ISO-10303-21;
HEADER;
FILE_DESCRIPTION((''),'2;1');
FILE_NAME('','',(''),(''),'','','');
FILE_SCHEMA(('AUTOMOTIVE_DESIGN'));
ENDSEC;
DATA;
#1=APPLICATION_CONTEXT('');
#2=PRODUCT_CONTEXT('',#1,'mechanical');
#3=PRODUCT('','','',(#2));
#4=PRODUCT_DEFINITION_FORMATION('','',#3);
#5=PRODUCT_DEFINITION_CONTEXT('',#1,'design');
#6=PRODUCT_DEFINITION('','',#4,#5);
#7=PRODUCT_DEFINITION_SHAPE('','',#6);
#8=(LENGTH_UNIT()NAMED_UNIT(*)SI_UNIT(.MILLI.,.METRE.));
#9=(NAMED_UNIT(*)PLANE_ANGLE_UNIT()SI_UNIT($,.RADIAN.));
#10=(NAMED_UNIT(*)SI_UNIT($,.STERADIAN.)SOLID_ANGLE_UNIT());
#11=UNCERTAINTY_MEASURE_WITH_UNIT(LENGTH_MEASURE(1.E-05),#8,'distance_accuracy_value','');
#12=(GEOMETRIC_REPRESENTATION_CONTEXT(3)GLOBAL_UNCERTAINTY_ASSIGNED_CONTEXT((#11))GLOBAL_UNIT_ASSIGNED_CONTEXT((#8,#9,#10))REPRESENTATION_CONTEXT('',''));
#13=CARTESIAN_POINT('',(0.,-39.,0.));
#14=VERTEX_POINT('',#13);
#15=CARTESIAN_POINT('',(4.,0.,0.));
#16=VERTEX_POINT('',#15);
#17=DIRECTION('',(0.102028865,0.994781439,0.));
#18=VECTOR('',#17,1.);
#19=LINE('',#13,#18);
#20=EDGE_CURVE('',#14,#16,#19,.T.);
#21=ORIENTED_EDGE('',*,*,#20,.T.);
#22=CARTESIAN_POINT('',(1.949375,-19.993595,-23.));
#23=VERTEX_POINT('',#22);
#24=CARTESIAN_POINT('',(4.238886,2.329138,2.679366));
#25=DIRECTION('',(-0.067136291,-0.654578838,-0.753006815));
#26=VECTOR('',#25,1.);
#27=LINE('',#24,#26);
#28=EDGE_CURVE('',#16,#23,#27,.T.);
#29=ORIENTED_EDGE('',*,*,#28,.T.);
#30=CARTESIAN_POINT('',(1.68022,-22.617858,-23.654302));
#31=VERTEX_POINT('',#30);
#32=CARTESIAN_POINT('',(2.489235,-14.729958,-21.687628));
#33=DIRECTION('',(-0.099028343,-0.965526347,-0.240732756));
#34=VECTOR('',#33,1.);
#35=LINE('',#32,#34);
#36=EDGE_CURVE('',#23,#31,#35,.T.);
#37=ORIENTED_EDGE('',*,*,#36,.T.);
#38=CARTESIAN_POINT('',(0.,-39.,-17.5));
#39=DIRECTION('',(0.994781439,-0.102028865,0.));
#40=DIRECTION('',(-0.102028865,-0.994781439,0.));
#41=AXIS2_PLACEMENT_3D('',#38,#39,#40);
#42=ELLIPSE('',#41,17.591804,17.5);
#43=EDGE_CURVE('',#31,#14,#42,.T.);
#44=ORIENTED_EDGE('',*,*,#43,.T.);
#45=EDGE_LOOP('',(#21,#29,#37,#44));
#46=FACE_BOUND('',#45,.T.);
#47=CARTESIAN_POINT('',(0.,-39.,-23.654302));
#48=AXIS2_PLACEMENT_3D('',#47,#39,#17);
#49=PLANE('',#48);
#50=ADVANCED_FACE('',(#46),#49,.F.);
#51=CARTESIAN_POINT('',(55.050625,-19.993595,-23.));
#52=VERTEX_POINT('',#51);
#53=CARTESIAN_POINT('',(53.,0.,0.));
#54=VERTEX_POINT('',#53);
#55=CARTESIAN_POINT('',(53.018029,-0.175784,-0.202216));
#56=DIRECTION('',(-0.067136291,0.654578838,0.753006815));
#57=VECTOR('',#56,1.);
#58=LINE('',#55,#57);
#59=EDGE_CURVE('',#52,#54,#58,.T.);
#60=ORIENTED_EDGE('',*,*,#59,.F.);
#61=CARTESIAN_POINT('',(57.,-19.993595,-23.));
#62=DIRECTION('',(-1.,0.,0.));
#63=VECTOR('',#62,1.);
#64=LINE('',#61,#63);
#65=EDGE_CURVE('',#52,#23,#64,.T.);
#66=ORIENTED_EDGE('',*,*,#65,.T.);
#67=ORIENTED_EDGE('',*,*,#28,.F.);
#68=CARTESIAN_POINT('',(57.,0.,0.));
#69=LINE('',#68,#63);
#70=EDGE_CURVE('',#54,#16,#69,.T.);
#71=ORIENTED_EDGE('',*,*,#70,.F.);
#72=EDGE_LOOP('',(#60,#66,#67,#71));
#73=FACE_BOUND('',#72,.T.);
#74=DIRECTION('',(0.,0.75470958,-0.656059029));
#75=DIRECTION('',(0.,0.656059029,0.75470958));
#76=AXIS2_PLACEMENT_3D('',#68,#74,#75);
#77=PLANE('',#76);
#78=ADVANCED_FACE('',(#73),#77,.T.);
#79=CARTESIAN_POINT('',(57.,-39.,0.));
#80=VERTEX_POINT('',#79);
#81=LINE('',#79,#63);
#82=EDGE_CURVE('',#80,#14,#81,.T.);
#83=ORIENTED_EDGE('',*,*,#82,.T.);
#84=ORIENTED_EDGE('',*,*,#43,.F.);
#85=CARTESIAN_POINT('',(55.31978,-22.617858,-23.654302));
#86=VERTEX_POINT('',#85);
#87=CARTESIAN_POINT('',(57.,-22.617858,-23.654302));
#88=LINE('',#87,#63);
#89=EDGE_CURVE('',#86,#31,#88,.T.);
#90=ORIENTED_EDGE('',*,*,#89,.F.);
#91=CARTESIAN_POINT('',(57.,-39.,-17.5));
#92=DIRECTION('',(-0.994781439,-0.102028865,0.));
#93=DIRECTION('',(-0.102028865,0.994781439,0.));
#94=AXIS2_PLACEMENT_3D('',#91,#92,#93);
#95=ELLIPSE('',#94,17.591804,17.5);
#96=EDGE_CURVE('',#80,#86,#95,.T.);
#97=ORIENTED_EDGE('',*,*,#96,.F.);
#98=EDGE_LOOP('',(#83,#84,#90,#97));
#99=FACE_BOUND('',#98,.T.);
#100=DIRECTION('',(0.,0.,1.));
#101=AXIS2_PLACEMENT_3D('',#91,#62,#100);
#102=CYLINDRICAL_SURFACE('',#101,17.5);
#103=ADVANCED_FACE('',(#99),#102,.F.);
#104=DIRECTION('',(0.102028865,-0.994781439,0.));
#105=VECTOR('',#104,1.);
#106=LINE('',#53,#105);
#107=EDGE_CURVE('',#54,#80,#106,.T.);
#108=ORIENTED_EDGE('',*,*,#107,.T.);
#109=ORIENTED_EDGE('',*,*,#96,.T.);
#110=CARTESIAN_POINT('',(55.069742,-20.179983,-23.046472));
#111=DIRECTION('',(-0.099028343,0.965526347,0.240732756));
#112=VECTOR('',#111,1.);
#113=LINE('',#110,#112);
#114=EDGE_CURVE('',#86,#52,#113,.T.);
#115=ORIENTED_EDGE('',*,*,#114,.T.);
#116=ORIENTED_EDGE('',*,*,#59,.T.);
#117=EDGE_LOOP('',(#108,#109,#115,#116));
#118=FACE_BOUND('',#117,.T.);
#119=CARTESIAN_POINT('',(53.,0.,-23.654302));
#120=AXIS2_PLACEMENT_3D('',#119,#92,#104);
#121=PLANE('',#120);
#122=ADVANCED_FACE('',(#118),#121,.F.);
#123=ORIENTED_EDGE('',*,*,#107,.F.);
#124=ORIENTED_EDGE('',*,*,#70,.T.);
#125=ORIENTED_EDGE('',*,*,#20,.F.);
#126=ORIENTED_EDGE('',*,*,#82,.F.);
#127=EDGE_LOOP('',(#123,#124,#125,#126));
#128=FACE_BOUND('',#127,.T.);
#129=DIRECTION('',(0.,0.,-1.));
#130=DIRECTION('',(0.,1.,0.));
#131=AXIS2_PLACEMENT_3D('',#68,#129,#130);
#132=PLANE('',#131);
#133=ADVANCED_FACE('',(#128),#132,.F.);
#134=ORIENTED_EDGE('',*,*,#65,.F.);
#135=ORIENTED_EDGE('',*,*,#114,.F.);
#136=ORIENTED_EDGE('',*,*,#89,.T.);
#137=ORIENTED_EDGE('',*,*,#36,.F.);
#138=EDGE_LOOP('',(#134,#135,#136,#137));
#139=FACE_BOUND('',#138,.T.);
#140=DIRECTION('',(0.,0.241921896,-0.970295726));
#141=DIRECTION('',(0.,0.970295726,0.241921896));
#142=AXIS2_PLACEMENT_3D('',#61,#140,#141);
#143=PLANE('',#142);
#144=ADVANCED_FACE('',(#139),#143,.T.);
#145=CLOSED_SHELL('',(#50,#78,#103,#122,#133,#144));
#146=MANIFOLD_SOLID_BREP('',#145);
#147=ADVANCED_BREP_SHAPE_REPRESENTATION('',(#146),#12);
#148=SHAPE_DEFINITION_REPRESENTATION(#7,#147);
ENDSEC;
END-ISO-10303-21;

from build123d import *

# Parameters (mm, degrees)
EXTRUDE_1_DEPTH     = 57
CUT_EXTRUDE_1_DEPTH = 74.003602791


with BuildPart() as part:
    # Эскиз1 → Бобышка-Вытянуть1 (new body)
    with BuildSketch(Plane(origin=(0, 0, 0), x_dir=(0, 0, -1), z_dir=(1, 0, 0))):
        with BuildLine():
            Line((0, 0), (0, -39))
            ThreePointArc((0, -39), (7.536323255, -24.613369202), (23.654302368, -22.617858432))
            Line((23.654302368, -22.617858432), (23, -19.99359497))
            Line((23, -19.99359497), (0, 0))
        make_face()
    extrude(amount=EXTRUDE_1_DEPTH)

    # Эскиз2 → Вырез-Вытянуть1 (cut, through all)
    with BuildSketch(Plane.XY):
        Polygon((67.996620704, 0), (53, 0), (57, -39), (67.996620704, -39), align=None)
        Polygon((0, -39), (-10.996620704, -39), (-10.996620704, 0), (4, 0), align=None)
    extrude(amount=-CUT_EXTRUDE_1_DEPTH, mode=Mode.SUBTRACT)


solid = part.part
